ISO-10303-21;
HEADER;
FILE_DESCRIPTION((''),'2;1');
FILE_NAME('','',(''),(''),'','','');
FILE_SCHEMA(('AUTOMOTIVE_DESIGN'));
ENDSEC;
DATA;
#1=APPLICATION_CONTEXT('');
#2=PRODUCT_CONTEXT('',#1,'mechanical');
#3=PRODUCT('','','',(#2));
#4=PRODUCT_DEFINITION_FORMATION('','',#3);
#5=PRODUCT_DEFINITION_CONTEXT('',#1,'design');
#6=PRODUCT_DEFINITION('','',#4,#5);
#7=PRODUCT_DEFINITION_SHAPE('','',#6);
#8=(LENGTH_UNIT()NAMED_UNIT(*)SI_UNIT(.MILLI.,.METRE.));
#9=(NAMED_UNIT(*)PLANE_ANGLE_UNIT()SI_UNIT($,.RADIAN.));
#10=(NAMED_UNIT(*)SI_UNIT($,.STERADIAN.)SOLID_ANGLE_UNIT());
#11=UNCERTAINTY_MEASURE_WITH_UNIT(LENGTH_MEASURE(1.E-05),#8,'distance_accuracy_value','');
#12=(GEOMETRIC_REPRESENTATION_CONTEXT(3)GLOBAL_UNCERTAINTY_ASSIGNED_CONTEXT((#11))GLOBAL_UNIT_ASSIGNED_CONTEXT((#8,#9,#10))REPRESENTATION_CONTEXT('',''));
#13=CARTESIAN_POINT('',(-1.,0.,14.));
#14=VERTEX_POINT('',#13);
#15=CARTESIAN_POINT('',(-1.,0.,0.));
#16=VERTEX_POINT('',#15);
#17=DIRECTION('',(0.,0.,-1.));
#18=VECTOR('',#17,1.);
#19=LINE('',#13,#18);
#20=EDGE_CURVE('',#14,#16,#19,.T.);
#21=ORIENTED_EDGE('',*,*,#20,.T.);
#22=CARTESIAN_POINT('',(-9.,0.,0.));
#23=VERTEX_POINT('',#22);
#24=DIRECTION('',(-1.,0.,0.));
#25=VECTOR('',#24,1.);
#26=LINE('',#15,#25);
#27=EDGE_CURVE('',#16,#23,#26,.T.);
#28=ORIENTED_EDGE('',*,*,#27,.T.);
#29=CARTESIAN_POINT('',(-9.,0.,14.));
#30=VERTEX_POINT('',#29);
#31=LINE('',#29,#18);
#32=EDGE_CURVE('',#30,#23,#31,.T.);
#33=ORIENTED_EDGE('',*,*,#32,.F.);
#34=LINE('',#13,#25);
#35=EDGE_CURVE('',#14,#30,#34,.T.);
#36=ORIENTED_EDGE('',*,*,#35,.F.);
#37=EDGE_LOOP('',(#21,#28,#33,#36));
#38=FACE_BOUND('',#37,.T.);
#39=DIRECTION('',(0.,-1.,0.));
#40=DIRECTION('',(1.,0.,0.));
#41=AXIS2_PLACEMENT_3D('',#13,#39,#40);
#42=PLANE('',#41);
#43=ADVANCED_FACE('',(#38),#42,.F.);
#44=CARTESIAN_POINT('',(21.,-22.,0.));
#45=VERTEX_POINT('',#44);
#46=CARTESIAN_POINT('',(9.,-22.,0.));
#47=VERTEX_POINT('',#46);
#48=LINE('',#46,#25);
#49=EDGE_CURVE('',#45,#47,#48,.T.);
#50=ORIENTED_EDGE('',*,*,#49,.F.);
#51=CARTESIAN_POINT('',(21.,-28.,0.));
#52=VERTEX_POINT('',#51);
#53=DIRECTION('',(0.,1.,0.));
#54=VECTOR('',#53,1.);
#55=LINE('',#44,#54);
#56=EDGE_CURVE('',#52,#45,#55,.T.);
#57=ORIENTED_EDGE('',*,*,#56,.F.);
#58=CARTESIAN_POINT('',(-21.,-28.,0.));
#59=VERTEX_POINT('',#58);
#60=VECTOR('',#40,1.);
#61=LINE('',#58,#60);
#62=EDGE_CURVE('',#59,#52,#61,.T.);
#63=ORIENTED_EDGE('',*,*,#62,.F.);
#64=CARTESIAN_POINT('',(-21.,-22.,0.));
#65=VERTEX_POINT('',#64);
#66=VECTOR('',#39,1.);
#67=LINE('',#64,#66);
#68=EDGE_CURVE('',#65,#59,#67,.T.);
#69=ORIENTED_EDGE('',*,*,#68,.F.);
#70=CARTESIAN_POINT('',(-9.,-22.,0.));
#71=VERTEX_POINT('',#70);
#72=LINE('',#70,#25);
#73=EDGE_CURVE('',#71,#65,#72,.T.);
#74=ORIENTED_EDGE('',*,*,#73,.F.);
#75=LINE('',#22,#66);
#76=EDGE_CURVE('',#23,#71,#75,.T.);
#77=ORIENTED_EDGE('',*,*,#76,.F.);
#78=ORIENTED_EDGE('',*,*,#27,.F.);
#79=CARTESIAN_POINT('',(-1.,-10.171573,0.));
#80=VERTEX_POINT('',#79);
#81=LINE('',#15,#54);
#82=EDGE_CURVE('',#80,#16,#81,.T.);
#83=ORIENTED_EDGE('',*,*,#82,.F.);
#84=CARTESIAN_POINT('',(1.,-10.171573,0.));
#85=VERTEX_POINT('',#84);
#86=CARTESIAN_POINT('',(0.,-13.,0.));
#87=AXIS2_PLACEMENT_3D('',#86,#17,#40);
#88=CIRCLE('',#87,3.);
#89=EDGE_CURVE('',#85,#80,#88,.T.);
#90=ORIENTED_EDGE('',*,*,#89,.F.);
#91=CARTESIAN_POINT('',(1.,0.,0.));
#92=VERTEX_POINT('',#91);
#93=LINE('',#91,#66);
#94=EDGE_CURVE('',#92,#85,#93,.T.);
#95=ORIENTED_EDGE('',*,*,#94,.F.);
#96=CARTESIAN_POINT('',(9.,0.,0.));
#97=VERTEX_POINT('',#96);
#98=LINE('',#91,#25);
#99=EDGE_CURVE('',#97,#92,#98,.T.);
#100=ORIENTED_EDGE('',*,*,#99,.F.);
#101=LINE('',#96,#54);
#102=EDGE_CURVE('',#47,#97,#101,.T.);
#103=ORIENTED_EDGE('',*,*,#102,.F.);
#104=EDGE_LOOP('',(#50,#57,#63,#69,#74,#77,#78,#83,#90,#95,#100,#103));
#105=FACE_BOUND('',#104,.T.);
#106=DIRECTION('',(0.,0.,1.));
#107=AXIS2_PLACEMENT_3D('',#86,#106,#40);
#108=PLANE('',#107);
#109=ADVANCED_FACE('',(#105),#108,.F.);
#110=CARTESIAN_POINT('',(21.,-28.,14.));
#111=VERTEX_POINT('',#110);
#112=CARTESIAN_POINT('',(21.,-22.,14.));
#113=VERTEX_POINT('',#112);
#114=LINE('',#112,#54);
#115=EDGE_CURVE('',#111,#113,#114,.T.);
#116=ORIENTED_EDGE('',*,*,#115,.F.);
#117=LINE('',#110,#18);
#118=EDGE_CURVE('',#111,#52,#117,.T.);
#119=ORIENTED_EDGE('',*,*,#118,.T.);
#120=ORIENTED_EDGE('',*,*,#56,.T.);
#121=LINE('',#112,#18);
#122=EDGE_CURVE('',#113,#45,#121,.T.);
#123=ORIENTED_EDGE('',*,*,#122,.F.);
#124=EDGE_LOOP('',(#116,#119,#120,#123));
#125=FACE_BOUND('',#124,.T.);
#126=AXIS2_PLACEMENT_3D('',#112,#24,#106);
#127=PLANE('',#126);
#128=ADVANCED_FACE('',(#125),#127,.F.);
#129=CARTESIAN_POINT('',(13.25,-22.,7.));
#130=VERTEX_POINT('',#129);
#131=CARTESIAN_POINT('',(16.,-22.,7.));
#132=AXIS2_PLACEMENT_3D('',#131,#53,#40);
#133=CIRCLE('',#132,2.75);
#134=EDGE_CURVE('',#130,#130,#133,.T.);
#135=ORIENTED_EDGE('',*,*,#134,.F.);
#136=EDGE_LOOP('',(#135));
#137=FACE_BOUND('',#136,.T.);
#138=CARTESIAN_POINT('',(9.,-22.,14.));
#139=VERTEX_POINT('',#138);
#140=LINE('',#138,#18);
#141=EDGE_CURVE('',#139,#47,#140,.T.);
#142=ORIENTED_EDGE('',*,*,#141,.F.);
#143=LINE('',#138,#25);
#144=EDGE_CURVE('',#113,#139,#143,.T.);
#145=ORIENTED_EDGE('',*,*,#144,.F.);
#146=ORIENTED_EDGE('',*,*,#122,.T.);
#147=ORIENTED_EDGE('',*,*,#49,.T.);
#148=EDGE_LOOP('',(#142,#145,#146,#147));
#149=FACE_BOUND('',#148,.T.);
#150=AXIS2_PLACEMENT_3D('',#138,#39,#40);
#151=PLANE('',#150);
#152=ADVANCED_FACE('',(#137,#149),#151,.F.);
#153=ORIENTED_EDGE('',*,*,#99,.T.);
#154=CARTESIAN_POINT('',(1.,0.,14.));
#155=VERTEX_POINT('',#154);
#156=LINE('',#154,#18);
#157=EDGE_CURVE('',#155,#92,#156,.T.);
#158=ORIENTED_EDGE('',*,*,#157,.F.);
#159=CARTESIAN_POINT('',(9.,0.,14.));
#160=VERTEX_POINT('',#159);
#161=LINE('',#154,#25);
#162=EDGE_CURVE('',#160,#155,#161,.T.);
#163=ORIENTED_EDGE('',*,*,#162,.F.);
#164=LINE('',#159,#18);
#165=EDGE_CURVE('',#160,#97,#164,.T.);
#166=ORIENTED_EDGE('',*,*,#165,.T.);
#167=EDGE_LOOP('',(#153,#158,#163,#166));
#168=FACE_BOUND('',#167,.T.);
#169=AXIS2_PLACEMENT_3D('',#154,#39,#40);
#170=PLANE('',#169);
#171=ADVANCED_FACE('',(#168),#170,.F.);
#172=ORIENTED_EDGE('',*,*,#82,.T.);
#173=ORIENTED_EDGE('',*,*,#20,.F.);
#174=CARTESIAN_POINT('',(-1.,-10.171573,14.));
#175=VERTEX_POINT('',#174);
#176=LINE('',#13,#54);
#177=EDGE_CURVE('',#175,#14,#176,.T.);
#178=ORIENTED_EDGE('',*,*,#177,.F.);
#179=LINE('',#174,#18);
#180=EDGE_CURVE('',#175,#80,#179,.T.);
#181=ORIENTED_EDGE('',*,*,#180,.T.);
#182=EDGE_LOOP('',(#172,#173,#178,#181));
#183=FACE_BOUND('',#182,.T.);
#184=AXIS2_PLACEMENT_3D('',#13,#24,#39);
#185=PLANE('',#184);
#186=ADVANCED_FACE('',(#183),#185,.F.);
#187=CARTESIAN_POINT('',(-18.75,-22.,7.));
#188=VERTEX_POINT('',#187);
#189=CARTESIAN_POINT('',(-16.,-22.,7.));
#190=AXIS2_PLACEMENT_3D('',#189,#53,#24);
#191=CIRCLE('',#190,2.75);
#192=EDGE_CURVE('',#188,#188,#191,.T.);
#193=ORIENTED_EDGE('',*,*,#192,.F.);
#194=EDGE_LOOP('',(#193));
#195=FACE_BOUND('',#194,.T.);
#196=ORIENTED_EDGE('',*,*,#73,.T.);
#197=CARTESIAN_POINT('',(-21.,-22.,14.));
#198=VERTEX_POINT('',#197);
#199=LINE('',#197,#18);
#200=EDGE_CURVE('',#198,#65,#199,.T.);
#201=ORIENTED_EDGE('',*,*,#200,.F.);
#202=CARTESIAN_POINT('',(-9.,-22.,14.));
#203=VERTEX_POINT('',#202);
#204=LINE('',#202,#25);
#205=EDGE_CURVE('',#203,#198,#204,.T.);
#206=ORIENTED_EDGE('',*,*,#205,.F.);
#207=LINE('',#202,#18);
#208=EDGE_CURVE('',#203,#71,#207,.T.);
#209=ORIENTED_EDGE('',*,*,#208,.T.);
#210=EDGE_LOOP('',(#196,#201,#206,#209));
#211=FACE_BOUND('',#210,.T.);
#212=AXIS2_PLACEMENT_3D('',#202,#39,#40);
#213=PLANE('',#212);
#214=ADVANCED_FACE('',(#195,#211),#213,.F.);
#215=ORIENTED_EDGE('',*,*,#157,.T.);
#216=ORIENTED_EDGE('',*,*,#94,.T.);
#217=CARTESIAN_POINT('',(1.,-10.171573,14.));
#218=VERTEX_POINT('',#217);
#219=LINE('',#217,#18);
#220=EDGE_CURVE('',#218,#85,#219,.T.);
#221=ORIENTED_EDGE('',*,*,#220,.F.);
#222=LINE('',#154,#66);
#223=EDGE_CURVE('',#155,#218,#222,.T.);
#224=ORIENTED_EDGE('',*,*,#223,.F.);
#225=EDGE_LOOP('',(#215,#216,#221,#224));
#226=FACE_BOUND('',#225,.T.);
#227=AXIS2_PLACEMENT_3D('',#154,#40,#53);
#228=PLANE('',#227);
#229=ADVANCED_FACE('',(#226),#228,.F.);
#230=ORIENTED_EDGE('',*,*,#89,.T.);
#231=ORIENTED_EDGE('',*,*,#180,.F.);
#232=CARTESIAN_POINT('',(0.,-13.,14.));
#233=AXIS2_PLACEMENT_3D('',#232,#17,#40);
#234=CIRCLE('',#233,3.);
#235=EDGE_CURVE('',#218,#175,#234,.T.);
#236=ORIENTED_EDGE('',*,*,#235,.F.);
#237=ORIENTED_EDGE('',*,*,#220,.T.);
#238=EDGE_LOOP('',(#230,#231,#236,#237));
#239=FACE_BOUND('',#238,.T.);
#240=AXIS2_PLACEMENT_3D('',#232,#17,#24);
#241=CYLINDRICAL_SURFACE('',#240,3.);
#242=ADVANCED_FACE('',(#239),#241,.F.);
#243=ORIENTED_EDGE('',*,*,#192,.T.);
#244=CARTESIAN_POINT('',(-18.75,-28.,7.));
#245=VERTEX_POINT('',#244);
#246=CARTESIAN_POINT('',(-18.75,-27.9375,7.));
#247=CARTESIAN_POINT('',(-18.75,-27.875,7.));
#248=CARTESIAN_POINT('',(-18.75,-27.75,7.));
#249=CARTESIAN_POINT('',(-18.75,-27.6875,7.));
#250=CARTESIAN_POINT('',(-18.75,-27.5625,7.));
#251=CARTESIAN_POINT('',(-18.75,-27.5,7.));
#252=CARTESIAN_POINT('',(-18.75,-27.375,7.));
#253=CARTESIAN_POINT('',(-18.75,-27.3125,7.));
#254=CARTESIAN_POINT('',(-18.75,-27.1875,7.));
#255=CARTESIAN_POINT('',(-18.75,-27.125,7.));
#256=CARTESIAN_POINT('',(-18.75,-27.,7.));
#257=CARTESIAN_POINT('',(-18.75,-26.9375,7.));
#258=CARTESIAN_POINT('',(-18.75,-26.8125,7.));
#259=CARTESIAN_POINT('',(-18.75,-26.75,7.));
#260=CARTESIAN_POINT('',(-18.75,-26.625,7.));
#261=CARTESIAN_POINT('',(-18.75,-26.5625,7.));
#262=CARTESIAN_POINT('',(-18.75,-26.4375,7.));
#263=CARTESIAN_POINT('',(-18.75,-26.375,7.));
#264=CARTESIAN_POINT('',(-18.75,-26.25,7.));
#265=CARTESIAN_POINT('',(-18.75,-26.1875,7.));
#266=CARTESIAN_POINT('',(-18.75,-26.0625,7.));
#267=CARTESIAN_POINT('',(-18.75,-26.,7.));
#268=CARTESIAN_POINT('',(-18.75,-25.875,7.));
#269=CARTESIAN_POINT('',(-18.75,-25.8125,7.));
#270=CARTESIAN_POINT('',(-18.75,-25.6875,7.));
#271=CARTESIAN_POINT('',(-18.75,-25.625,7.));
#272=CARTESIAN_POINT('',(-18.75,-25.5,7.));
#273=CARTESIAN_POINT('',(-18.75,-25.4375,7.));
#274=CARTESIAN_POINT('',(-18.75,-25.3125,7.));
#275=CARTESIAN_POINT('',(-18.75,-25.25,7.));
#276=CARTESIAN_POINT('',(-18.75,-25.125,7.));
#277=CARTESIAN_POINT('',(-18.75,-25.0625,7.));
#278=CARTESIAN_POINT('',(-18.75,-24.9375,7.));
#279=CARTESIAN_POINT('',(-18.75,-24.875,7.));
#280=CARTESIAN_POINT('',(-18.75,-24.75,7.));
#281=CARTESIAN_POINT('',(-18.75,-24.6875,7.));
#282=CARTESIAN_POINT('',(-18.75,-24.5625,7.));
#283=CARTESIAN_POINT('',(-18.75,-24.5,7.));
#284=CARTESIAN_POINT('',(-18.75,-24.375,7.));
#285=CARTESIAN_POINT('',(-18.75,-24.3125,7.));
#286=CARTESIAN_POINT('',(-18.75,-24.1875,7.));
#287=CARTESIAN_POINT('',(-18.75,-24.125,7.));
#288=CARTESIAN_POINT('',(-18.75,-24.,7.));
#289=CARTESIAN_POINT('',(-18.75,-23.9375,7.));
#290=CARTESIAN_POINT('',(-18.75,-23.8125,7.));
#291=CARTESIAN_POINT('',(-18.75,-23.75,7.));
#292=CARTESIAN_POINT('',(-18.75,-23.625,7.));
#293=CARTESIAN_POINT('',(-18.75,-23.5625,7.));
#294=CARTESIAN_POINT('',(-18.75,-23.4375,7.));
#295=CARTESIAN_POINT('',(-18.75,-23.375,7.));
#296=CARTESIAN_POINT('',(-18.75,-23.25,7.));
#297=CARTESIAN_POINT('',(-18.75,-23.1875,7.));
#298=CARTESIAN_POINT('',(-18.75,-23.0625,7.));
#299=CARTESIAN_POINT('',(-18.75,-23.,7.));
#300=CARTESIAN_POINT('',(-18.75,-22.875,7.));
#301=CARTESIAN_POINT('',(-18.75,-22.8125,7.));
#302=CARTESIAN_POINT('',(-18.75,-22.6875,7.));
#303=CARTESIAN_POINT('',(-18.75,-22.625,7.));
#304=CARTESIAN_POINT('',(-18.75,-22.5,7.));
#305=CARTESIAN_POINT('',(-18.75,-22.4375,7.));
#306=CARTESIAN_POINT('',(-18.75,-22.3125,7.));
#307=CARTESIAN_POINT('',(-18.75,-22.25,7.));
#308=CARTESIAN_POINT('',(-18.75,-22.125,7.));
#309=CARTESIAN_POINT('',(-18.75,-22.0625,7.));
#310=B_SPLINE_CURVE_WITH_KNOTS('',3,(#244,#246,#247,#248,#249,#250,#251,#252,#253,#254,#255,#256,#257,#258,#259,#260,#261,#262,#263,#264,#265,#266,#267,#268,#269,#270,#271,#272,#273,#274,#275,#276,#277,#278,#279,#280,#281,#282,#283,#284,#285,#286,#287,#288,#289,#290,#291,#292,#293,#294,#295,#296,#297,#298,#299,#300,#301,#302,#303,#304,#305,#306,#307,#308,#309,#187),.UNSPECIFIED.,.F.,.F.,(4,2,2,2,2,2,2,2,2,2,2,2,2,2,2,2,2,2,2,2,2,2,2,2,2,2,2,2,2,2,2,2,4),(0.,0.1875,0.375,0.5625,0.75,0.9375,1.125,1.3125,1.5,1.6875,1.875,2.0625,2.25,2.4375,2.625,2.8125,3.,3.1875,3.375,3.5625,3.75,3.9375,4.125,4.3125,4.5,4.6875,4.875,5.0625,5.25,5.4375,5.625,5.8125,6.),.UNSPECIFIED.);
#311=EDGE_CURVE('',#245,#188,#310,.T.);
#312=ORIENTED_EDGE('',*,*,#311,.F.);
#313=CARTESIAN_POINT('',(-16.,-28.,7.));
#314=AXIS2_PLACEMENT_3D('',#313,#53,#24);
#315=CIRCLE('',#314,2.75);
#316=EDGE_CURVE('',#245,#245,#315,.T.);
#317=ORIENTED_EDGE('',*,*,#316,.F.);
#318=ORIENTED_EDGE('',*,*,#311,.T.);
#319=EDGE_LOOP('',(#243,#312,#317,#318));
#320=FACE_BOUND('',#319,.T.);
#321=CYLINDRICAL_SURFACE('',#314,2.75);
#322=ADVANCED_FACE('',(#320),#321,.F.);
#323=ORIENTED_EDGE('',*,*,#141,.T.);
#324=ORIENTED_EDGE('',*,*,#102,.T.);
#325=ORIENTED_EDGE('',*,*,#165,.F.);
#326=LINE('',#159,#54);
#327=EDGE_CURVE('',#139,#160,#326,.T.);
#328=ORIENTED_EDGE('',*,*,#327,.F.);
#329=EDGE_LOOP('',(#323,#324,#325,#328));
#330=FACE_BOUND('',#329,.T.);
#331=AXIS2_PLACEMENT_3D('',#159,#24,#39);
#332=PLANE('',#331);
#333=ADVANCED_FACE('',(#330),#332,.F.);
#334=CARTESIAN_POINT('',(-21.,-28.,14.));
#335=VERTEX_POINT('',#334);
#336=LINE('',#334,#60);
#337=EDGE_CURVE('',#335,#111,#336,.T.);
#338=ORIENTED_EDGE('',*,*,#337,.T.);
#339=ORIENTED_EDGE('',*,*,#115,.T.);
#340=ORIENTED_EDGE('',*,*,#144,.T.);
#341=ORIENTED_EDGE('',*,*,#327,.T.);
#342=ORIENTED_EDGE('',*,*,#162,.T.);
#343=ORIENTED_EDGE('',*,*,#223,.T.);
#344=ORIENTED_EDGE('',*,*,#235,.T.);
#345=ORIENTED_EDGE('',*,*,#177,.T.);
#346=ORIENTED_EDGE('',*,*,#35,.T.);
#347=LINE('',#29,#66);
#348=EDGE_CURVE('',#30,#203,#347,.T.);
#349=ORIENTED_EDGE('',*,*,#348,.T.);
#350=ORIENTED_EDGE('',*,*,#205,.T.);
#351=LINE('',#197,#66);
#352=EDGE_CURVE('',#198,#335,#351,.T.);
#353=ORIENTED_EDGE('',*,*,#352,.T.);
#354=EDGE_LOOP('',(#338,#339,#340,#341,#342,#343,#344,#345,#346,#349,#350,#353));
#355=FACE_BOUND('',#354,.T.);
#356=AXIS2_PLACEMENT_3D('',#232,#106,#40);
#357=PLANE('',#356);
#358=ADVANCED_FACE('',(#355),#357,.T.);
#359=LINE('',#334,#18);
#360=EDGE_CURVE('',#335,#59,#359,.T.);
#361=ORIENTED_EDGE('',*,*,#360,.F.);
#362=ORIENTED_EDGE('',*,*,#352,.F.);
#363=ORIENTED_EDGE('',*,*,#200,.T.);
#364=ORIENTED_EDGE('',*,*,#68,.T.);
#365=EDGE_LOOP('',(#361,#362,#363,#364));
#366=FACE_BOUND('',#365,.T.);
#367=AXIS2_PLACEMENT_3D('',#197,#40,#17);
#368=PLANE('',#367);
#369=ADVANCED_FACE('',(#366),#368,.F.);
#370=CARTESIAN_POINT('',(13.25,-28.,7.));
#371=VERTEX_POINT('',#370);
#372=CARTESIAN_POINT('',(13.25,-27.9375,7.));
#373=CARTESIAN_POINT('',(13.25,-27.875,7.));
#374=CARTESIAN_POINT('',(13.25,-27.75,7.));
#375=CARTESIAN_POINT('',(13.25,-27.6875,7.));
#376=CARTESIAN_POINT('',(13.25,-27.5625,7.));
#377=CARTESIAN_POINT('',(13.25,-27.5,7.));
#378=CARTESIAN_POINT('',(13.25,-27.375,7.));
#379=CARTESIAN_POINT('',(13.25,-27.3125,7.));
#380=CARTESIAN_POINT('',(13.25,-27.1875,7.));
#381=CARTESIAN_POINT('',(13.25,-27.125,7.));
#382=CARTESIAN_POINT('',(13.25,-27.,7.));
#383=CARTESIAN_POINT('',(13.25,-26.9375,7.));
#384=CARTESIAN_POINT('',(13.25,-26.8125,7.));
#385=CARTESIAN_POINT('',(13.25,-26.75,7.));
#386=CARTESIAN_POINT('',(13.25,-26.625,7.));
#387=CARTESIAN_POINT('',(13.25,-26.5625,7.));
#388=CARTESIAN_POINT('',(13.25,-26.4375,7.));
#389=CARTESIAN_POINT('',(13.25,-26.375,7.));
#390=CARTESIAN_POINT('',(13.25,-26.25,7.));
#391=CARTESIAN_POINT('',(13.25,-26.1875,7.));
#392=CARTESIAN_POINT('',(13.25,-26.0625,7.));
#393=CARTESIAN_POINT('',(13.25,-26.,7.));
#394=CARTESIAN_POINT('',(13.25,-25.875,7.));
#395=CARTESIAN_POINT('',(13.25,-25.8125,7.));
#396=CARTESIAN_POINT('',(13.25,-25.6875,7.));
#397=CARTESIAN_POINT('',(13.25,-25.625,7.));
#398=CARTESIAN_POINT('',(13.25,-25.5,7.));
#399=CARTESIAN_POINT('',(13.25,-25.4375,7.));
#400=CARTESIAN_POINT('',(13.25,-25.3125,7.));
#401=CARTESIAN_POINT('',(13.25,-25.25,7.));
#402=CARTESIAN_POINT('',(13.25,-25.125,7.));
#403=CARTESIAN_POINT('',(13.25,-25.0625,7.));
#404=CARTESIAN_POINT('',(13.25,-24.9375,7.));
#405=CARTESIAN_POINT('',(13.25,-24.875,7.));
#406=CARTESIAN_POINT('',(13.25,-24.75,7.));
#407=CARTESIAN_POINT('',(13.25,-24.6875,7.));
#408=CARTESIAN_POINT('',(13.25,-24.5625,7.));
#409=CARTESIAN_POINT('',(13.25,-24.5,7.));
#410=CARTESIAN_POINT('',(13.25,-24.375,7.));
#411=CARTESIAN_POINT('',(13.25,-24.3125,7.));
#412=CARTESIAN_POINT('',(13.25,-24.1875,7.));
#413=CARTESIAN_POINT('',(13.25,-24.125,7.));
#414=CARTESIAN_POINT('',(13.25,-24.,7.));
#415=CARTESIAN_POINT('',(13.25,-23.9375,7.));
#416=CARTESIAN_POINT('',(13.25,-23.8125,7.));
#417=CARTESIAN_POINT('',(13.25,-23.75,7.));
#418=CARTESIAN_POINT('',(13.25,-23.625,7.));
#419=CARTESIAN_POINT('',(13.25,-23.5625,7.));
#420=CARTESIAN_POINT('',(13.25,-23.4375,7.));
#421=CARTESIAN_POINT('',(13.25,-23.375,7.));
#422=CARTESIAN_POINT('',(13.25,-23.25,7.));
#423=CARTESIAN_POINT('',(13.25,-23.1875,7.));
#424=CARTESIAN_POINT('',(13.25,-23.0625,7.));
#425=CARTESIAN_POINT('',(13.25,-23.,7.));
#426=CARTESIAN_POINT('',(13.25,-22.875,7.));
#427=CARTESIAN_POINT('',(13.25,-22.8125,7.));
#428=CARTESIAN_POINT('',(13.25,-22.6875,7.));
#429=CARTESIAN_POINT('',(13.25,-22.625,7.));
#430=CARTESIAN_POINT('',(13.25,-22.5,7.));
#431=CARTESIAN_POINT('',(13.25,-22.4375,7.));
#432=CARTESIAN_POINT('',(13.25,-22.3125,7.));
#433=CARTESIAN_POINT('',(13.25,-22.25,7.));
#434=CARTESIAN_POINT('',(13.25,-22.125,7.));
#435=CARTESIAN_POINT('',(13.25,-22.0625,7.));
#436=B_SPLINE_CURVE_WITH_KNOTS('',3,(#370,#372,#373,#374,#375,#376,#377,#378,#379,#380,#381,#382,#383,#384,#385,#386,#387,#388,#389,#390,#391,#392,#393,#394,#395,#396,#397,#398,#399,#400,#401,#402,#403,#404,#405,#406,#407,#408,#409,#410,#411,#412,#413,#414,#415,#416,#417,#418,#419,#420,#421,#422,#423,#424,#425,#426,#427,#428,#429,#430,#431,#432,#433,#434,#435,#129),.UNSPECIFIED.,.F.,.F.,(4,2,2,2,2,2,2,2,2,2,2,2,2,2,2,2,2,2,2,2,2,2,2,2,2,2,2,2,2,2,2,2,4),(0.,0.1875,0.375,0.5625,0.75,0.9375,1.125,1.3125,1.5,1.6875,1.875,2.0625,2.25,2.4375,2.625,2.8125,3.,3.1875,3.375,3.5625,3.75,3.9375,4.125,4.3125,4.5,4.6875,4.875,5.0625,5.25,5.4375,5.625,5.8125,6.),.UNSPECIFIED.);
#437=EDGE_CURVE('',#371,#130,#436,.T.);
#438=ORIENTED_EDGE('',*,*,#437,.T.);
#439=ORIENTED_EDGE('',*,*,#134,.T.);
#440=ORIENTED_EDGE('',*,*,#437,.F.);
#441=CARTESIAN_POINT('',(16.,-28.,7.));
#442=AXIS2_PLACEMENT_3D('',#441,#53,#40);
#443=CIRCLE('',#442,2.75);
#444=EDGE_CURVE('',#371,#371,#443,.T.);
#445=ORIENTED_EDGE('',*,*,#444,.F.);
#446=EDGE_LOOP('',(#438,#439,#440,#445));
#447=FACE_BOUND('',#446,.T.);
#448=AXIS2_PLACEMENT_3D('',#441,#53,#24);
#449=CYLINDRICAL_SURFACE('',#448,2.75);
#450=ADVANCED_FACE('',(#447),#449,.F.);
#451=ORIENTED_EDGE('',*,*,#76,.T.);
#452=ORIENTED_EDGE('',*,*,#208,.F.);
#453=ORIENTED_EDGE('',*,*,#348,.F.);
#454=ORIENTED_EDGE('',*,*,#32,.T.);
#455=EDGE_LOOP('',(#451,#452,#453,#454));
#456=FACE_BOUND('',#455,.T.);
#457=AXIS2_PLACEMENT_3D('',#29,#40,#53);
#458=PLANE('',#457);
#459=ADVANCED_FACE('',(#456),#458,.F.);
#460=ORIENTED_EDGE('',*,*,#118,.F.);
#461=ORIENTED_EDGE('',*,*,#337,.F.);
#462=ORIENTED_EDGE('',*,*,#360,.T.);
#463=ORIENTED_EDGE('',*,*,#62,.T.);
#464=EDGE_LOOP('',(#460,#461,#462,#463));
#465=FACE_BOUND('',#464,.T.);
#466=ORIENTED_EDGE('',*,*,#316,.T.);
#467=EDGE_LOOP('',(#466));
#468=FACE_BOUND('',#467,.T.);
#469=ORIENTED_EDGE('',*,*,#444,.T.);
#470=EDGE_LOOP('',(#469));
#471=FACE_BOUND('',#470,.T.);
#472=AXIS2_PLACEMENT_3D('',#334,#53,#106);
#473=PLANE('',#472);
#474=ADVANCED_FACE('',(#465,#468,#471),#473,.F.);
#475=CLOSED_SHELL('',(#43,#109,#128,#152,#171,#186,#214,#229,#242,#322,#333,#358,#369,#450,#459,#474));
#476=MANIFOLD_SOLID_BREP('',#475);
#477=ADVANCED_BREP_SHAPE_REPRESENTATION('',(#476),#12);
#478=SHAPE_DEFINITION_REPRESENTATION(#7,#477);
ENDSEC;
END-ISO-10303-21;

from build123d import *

# Parameters (mm, degrees)
EXTRUDE_1_DEPTH     = 14
SKETCH_2_R          = 2.75
CUT_EXTRUDE_1_DEPTH = 34.481338086


with BuildPart() as part:
    # 草图1 → 凸台-拉伸1 (new body)
    with BuildSketch(Plane.XY):
        with BuildLine():
            Line((-1, 0), (-9, 0))
            Line((-9, 0), (-9, -22))
            Line((-9, -22), (-21, -22))
            Line((-21, -22), (-21, -28))
            Line((-21, -28), (21, -28))
            Line((21, -28), (21, -22))
            Line((21, -22), (9, -22))
            Line((9, -22), (9, 0))
            Line((9, 0), (1, 0))
            Line((1, 0), (1, -10.171572875))
            ThreePointArc((1, -10.171572875), (0, -16), (-1, -10.171572875))
            Line((-1, -10.171572875), (-1, 0))
        make_face()
    extrude(amount=EXTRUDE_1_DEPTH)

    # 草图2 → 切除-拉伸1 (cut, through all)
    with BuildSketch(Plane(origin=(0, -22, 0), x_dir=(1, 0, 0), z_dir=(0, 1, 0))):
        with Locations(Location((-16, -7, 0), (0, 0, 180))):
            Circle(SKETCH_2_R)
        with Locations(Location((16, -7, 0), (0, 0, 180))):
            Circle(SKETCH_2_R)
    extrude(amount=-CUT_EXTRUDE_1_DEPTH, mode=Mode.SUBTRACT)


solid = part.part
